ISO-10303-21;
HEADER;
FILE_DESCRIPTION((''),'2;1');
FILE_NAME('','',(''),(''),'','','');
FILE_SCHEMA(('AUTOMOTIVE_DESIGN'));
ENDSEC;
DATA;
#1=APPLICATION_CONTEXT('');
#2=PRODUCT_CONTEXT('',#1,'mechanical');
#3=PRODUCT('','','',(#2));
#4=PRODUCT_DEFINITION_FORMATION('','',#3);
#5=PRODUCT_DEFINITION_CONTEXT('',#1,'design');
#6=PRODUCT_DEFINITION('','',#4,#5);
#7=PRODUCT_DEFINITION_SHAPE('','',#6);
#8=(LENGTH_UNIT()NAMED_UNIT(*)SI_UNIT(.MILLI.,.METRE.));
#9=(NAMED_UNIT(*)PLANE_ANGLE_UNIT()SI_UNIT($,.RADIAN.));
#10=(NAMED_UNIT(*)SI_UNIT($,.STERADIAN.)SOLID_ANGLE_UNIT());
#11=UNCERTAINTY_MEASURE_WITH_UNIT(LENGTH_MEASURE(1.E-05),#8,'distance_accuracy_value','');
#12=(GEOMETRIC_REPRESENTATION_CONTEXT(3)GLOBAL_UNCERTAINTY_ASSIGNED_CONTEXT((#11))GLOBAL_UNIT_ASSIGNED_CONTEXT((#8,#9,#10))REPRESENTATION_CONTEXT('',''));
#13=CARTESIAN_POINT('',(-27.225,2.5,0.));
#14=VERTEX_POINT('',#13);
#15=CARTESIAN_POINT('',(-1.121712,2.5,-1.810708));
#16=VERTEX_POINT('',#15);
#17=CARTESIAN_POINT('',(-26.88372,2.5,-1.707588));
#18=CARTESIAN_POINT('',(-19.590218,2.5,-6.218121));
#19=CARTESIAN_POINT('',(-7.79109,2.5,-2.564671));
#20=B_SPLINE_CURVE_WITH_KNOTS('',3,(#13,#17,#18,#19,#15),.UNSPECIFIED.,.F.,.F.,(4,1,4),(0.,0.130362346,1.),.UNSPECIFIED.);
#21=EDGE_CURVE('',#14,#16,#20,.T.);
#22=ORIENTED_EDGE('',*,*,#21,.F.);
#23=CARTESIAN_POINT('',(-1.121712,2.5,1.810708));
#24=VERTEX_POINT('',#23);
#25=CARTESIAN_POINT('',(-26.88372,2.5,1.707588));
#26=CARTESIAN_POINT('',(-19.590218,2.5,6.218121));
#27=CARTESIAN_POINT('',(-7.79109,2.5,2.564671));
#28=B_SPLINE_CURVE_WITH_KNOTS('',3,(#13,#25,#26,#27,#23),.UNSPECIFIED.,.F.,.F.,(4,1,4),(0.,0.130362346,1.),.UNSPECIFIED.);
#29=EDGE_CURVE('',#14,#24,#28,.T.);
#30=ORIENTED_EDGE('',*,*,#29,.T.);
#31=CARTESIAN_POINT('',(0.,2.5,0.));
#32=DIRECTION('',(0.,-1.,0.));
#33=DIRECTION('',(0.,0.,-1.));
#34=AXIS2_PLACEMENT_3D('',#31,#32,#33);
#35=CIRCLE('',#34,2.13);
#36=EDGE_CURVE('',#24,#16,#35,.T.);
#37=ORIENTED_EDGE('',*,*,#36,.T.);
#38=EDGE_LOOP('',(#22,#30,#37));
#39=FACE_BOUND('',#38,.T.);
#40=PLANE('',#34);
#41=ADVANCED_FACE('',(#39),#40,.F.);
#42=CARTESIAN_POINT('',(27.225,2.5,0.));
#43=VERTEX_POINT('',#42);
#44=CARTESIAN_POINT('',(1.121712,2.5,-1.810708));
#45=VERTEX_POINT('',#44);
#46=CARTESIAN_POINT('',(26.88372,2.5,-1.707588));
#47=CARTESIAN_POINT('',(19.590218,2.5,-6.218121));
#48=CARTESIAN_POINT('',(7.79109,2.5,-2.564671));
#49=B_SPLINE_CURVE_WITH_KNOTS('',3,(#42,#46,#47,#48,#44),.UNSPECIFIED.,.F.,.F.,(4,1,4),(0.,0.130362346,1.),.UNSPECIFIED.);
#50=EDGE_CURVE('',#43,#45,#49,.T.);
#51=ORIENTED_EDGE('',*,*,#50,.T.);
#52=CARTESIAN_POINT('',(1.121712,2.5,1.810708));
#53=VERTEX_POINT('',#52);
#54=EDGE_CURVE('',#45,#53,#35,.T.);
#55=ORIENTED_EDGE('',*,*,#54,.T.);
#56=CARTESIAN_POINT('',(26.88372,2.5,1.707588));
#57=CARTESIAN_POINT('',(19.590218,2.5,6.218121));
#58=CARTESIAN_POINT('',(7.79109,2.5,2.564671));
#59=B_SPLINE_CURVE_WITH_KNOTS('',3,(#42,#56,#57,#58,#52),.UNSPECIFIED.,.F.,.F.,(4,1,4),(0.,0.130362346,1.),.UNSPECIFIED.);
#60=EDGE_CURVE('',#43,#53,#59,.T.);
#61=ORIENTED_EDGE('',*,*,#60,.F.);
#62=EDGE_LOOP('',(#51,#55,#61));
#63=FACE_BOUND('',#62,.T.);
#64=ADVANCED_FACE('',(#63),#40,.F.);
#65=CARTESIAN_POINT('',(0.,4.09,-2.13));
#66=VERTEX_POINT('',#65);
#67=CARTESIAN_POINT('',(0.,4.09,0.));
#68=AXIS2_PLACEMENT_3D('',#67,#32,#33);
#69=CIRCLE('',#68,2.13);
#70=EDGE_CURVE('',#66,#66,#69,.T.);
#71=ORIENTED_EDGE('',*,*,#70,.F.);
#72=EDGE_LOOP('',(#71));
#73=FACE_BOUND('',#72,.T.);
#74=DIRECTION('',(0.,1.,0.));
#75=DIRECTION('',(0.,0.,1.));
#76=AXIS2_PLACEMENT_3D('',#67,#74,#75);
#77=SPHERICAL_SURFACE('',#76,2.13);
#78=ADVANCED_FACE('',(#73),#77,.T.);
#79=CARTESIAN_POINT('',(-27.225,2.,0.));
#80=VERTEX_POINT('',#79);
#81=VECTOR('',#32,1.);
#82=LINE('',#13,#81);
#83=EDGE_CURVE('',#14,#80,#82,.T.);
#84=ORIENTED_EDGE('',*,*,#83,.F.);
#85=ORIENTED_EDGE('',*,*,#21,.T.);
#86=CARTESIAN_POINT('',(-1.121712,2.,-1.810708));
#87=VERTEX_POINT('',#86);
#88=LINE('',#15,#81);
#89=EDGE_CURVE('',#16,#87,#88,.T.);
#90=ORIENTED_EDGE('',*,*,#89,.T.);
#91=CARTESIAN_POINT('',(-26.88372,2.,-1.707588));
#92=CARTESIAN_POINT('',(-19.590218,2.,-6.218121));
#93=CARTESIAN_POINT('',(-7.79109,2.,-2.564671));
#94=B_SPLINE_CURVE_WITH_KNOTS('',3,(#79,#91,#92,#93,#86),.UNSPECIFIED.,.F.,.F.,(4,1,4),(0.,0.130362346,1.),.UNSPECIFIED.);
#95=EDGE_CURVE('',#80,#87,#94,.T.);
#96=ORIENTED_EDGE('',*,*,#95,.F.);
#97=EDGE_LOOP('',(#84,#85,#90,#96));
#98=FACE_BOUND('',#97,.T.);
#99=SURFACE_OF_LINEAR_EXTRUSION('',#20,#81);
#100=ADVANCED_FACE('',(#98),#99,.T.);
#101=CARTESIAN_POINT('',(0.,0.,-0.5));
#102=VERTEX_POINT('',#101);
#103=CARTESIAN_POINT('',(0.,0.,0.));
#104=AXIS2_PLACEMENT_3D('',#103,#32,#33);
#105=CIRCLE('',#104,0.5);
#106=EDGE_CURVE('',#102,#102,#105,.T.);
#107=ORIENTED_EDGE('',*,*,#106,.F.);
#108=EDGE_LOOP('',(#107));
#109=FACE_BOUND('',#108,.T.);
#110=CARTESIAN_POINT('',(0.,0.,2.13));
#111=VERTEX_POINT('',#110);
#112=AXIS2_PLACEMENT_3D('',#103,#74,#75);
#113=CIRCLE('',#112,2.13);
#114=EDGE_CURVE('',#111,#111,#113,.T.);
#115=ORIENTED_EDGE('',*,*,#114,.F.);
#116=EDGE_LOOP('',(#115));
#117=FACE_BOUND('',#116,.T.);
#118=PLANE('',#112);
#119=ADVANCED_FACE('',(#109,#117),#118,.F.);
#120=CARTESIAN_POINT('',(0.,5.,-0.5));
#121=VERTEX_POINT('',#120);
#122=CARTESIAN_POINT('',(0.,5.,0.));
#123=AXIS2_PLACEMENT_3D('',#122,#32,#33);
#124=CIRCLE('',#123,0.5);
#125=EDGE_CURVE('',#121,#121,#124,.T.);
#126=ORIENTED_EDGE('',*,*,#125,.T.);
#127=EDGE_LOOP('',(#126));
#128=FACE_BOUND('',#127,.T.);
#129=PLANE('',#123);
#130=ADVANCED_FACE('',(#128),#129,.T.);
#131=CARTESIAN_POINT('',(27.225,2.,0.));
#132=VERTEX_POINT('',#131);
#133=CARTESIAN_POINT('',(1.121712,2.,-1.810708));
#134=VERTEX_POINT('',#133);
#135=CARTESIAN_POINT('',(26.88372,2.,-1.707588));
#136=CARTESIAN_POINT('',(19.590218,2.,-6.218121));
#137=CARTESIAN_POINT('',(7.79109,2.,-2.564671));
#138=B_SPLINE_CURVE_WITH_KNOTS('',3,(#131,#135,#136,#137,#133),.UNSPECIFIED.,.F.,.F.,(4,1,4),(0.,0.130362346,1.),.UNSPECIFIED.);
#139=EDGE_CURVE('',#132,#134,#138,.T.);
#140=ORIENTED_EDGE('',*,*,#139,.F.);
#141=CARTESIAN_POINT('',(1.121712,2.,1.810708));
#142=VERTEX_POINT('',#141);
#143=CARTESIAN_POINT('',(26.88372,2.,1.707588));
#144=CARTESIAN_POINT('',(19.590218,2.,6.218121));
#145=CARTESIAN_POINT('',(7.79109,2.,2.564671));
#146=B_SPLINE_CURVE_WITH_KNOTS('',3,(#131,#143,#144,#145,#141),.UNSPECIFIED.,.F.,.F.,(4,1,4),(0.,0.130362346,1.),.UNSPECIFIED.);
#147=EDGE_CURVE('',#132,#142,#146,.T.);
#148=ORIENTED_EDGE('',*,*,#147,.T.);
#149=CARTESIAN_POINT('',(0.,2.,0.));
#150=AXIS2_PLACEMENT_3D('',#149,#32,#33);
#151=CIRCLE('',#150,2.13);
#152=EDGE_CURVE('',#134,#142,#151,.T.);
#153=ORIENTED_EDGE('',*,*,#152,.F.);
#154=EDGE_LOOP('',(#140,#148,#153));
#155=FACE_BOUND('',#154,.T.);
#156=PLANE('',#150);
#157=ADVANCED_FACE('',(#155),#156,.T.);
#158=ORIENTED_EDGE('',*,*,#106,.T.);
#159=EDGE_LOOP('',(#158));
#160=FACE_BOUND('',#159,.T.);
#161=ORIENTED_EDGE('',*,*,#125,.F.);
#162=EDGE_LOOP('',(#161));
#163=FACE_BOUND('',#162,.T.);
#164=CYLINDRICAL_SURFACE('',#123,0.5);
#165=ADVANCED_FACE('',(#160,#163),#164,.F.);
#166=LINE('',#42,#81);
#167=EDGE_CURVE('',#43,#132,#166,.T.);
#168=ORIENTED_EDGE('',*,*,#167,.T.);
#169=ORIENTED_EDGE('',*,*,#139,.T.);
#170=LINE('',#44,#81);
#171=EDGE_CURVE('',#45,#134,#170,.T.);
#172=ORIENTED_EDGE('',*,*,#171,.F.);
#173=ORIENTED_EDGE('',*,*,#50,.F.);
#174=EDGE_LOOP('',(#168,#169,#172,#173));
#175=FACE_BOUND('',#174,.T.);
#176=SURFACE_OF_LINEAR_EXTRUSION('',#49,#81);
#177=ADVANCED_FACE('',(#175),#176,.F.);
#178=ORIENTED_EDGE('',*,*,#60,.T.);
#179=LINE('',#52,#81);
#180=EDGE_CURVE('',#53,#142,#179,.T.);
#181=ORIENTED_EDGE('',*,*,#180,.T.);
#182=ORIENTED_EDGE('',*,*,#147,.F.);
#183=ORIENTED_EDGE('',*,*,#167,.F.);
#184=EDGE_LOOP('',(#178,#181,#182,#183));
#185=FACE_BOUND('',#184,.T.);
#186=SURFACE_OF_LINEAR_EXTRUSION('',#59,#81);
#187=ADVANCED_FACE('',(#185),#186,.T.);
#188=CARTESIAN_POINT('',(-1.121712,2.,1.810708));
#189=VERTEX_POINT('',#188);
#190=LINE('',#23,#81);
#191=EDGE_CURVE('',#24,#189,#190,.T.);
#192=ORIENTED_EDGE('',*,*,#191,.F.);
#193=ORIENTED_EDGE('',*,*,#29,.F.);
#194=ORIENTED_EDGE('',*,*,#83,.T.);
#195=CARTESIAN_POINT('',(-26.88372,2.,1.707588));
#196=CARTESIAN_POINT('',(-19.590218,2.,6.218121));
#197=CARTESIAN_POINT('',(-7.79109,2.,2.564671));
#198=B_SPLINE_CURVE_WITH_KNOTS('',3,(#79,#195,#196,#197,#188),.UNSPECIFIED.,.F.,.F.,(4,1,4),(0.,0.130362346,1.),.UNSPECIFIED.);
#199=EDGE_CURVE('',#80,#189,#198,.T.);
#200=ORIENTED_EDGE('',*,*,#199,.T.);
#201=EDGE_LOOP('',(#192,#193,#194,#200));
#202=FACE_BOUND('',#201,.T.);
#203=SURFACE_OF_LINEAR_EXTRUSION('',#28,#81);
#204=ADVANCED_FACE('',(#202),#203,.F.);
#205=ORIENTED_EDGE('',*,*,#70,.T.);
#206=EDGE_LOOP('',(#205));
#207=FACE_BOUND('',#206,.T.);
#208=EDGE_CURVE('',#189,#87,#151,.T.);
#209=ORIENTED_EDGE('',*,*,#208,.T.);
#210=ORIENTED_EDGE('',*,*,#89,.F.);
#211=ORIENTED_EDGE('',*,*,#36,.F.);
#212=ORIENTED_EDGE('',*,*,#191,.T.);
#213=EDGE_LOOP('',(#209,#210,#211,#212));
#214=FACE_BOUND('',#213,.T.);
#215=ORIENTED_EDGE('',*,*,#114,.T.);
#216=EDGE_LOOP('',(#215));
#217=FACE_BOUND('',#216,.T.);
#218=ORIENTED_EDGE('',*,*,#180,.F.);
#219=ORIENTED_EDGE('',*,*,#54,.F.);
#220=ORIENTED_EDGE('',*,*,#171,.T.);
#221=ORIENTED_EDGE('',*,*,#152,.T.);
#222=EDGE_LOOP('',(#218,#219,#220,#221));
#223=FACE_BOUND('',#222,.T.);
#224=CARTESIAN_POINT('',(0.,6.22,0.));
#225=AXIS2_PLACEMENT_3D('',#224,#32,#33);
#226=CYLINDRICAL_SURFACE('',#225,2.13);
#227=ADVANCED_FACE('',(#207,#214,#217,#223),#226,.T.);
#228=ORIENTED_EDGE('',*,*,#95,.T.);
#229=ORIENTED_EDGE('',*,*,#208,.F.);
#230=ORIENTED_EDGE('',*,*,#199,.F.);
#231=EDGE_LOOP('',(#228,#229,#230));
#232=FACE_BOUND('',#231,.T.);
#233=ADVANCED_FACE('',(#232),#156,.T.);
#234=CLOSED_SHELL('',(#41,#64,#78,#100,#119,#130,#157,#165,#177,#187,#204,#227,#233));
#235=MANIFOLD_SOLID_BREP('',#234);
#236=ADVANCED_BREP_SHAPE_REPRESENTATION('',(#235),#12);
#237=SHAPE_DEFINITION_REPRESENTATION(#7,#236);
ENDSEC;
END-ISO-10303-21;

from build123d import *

# Parameters (mm, degrees)
SKETCH1_R           = 2.13
BOSS_EXTRUDE1_DEPTH = 6.22
SKETCH2_R           = 0.5
CUT_EXTRUDE1_DEPTH  = 5
FILLET1_R           = 2.13
BOSS_EXTRUDE2_DEPTH = 0.5


with BuildPart() as part:
    # Sketch1 → Boss-Extrude1 (new body)
    with BuildSketch(Plane(origin=(0, 0, 0), x_dir=(1, 0, 0), z_dir=(0, 1, 0))):
        Circle(SKETCH1_R)
    extrude(amount=BOSS_EXTRUDE1_DEPTH)

    # Sketch2 → Cut-Extrude1 (cut)
    with BuildSketch(Plane.XZ):
        Circle(SKETCH2_R)
    extrude(amount=-CUT_EXTRUDE1_DEPTH, mode=Mode.SUBTRACT)

    # Fillet1
    fillet1_edges = [part.edges().sort_by_distance(p)[0] for p in [
        (-2.13, 6.22, 0),
    ]]
    fillet(fillet1_edges, radius=FILLET1_R)

    # Sketch3 → Boss-Extrude2 (add)
    with BuildSketch(Plane(origin=(0, 2, 0), x_dir=(-1, 0, 0), z_dir=(0, -1, 0))):
        with BuildLine():
            add(Edge.make_bspline(
                [(27.225, 0), (26.883719926, -1.707588045), (19.590217869, -6.21812063), (7.79108972, -2.564670987), (1.121711894, -1.810707714)],
                knots=[0, 0, 0, 0, 0.130362346, 1, 1, 1, 1], degree=3))
            add(Edge.make_bspline(
                [(27.225, 0), (26.883719926, 1.707588045), (19.590217869, 6.21812063), (7.79108972, 2.564670987), (1.121711894, 1.810707714)],
                knots=[0, 0, 0, 0, 0.130362346, 1, 1, 1, 1], degree=3))
            ThreePointArc((1.121711894, 1.810707714), (1.860933413, 1.036256162), (2.13, 0))
            ThreePointArc((2.13, 0), (1.860933413, -1.036256162), (1.121711894, -1.810707714))
        make_face()
        with BuildLine():
            add(Edge.make_bspline(
                [(-27.225, 0), (-26.883719926, 1.707588045), (-19.590217869, 6.21812063), (-7.79108972, 2.564670987), (-1.121711894, 1.810707714)],
                knots=[0, 0, 0, 0, 0.130362346, 1, 1, 1, 1], degree=3))
            add(Edge.make_bspline(
                [(-27.225, 0), (-26.883719926, -1.707588045), (-19.590217869, -6.21812063), (-7.79108972, -2.564670987), (-1.121711894, -1.810707714)],
                knots=[0, 0, 0, 0, 0.130362346, 1, 1, 1, 1], degree=3))
            ThreePointArc((-1.121711894, -1.810707714), (-2.13, 0), (-1.121711894, 1.810707714))
        make_face()
    extrude(amount=-BOSS_EXTRUDE2_DEPTH)


solid = part.part
